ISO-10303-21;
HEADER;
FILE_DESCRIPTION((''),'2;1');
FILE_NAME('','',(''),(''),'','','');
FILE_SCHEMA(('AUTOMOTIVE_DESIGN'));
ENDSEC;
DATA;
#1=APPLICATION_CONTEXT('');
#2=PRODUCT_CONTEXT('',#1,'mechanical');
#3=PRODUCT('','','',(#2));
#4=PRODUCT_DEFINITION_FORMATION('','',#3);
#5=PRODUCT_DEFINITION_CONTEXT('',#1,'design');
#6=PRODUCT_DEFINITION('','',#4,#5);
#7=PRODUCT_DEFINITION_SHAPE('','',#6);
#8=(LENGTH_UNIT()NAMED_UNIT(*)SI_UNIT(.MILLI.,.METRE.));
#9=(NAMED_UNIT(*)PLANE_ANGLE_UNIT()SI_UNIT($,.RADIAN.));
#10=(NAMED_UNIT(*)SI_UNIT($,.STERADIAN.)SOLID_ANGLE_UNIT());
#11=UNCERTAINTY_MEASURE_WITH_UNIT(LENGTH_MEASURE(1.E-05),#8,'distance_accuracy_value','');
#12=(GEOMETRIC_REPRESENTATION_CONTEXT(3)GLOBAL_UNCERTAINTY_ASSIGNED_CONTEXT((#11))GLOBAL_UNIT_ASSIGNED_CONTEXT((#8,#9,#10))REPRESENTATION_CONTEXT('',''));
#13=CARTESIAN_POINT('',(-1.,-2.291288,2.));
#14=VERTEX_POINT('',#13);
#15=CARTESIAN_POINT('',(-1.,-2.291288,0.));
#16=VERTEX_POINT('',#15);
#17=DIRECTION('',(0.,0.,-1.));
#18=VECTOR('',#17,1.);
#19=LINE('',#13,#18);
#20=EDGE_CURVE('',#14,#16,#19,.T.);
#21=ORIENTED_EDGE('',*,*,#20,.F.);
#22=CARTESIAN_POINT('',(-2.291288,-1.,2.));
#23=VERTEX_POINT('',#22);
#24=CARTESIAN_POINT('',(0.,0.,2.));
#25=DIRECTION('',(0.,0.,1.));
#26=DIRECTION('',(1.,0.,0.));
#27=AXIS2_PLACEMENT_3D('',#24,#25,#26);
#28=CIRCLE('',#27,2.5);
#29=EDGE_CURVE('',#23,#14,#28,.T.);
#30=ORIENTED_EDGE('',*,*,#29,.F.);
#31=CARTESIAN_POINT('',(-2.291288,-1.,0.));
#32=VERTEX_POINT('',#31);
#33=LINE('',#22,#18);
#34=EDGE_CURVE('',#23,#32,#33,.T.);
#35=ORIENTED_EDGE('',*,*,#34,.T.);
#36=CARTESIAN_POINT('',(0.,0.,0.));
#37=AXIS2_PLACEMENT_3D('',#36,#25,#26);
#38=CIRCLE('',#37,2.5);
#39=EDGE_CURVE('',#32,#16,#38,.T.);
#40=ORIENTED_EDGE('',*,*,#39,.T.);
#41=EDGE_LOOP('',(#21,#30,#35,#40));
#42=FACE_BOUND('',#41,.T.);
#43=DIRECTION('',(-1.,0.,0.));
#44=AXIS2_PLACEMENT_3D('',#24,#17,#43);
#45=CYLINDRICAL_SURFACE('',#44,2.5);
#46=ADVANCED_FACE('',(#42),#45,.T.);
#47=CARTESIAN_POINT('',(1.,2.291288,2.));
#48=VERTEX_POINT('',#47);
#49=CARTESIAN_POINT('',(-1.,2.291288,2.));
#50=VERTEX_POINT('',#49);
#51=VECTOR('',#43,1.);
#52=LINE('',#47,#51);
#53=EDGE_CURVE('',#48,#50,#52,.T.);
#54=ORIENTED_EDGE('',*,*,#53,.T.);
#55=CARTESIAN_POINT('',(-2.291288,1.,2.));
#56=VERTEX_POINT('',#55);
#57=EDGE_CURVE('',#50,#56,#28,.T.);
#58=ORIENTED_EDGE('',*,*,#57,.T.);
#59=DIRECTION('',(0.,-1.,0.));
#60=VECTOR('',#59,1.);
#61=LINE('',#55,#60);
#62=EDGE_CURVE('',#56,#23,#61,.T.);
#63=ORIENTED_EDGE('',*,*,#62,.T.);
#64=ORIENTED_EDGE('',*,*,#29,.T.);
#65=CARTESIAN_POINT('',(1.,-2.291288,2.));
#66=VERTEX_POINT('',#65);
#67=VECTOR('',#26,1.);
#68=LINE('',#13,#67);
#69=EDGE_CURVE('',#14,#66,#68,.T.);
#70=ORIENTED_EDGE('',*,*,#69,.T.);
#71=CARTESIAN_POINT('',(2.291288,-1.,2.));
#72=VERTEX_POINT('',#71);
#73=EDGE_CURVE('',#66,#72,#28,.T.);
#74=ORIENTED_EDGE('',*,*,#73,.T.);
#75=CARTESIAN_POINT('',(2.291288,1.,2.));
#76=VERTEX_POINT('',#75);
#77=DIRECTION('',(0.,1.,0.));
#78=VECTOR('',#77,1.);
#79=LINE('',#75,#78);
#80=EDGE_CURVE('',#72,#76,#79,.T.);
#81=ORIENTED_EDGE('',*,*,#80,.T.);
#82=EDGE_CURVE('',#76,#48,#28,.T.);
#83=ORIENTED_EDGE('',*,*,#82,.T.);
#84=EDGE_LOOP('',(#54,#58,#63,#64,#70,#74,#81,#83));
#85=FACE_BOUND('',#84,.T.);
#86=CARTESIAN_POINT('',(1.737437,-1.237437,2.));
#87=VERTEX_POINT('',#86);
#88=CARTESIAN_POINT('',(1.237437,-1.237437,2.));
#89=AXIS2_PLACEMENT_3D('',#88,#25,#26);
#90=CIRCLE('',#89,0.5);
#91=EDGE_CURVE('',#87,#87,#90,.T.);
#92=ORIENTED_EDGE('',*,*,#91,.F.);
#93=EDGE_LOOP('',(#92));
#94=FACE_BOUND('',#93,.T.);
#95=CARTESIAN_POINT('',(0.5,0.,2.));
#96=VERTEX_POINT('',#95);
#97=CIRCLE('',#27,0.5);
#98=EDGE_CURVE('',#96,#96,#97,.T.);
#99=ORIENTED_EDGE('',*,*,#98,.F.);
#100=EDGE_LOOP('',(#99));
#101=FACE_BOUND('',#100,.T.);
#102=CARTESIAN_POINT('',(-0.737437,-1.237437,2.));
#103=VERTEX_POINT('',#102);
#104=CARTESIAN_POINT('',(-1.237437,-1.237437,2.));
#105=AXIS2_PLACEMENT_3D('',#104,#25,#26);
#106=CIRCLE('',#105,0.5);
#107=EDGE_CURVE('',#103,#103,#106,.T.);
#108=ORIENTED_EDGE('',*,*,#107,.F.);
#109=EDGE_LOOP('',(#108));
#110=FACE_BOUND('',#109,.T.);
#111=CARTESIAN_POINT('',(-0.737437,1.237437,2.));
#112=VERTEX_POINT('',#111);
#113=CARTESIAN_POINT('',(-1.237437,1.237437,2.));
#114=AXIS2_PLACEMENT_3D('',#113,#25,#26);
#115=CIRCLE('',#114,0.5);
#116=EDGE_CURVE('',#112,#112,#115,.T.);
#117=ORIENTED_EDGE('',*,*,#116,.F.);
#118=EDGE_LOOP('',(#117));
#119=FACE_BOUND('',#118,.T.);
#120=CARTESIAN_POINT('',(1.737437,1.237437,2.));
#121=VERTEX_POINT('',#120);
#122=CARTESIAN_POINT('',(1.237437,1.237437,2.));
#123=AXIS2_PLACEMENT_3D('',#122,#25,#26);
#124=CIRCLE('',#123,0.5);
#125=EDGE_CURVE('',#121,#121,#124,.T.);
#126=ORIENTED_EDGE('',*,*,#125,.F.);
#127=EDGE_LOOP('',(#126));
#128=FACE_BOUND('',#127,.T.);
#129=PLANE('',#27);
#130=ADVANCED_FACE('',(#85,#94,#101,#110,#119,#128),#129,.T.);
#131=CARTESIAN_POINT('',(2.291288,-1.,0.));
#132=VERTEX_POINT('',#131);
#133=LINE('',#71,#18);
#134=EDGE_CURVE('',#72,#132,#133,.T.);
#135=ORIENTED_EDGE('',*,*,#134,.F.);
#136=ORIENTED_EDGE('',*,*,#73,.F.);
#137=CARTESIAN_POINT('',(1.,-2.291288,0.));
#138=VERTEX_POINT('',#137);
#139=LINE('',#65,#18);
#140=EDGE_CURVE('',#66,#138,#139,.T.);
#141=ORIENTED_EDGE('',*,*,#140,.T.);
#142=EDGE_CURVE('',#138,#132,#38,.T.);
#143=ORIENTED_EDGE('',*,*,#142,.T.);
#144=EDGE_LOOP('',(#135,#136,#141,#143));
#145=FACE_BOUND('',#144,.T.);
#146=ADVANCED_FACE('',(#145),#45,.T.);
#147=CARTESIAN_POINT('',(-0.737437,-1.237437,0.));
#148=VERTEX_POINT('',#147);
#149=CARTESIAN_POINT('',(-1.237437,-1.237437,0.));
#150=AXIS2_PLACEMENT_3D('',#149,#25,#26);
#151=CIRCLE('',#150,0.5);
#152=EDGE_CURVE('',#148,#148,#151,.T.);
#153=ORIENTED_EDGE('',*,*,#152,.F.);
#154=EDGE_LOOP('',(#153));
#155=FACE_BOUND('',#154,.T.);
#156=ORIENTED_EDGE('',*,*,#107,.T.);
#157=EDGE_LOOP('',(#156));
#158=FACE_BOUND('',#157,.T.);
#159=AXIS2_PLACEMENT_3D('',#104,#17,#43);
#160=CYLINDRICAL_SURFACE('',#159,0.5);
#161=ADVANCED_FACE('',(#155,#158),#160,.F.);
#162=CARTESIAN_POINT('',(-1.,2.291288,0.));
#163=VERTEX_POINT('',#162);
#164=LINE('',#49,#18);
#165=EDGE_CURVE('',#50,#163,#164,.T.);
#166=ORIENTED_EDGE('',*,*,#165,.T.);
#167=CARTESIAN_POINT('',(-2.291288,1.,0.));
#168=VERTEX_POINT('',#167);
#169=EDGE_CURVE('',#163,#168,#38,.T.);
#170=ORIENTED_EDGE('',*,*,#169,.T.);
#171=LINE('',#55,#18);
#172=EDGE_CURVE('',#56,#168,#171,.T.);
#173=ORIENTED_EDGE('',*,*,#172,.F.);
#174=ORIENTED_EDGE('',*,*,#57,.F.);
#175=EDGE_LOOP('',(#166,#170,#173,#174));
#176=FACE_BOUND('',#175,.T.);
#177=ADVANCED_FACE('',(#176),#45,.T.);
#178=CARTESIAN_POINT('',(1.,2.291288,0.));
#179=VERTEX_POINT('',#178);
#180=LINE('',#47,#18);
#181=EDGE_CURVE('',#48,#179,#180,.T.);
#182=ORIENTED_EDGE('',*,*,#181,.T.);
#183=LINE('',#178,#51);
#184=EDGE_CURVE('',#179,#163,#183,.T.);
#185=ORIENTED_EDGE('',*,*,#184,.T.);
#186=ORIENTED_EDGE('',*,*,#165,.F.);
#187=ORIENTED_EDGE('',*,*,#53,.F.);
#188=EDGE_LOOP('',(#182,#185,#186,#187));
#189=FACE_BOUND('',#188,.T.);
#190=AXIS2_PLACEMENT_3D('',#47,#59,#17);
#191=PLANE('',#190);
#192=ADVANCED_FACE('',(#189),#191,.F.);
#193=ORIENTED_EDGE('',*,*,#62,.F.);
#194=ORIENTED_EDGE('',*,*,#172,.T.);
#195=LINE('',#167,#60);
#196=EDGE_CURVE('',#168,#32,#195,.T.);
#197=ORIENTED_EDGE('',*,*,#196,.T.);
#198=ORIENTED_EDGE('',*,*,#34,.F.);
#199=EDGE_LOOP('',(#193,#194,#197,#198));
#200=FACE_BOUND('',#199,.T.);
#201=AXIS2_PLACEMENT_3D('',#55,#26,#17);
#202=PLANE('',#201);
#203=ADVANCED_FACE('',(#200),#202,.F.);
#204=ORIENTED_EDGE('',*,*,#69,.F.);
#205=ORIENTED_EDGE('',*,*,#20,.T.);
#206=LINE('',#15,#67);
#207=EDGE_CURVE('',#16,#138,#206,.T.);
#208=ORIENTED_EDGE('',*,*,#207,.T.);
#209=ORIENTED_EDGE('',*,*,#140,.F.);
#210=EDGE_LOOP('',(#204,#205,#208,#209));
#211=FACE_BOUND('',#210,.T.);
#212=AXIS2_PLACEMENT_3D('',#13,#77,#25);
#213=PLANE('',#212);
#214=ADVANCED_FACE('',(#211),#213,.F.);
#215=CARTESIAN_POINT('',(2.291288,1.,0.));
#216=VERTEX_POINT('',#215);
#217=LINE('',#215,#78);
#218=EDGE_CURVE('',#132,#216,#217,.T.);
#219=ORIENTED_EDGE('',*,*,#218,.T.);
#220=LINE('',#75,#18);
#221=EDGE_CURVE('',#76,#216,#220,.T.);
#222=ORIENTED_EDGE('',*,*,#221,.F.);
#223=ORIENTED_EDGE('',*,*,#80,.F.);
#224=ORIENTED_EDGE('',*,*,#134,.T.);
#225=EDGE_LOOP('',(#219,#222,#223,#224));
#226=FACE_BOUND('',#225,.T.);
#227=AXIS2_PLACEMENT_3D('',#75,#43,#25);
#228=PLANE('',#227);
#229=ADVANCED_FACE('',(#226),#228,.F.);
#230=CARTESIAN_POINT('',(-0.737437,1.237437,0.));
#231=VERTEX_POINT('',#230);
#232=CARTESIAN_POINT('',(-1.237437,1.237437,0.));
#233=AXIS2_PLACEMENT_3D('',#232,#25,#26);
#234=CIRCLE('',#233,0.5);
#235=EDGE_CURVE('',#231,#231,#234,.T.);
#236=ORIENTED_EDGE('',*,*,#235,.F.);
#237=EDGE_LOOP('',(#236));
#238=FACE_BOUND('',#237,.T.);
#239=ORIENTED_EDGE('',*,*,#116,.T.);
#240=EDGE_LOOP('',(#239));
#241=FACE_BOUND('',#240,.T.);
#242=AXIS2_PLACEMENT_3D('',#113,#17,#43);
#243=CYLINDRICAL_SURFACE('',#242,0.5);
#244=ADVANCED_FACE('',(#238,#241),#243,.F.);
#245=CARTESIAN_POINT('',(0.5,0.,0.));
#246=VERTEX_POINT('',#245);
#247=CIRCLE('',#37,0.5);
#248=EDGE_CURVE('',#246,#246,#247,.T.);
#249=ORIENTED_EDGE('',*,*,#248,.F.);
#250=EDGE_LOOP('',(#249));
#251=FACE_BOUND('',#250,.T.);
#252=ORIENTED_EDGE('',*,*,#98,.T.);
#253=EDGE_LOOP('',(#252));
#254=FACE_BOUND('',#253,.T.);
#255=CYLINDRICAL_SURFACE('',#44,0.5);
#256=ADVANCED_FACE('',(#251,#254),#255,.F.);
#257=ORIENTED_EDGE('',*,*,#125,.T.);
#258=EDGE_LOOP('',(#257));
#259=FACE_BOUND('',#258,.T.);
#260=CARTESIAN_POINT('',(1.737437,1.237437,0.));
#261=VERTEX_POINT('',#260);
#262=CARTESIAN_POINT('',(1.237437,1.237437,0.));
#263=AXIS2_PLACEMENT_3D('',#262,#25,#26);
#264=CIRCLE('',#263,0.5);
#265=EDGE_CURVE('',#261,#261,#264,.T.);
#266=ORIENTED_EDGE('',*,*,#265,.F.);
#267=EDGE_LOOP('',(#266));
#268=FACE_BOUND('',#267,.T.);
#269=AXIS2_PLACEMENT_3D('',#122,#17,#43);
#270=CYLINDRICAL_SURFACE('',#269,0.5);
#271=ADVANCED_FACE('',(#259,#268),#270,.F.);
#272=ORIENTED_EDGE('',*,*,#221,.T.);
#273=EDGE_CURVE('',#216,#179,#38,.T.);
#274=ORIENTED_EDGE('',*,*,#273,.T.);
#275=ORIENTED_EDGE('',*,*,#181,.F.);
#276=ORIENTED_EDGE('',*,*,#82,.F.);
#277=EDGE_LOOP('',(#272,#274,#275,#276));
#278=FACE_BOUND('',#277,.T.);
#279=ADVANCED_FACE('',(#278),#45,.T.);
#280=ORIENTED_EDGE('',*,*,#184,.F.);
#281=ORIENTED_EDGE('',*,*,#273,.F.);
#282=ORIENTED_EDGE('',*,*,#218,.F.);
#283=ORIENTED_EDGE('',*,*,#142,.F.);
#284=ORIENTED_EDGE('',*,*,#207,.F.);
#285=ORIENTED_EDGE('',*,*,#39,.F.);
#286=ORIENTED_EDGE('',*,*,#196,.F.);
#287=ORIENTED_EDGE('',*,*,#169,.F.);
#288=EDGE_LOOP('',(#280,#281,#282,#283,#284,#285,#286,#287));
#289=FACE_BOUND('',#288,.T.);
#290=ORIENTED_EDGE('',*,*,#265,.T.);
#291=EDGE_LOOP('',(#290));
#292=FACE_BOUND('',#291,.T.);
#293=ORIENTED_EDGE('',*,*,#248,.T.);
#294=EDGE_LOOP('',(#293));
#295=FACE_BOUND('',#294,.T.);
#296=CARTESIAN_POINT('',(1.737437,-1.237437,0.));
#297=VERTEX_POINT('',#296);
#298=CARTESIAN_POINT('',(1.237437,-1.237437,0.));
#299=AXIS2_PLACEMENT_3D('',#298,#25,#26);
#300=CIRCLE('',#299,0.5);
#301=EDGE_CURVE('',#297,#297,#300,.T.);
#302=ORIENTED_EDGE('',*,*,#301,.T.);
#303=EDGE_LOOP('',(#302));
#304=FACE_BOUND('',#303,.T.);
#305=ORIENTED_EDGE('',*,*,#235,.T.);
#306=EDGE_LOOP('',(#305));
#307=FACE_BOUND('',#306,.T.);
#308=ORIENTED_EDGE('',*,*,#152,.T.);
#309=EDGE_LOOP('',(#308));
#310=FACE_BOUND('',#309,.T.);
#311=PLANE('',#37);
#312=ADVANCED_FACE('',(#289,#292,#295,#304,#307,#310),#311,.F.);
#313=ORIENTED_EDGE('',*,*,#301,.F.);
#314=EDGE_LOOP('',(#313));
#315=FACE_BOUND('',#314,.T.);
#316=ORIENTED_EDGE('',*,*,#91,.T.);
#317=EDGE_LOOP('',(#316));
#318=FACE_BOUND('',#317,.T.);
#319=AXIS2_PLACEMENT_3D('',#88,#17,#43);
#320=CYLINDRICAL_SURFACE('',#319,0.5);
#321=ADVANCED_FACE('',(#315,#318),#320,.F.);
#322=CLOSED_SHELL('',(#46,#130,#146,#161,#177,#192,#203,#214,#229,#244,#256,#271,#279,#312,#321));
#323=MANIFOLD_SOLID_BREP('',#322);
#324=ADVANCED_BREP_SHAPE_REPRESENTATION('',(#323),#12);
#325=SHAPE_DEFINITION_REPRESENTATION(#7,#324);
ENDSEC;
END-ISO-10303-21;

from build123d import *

# Parameters (mm, degrees)
SKETCH2_R           = 0.5
BOSS_EXTRUDE1_DEPTH = 2


with BuildPart() as part:
    # Sketch2 → Boss-Extrude1 (new body)
    with BuildSketch(Plane.XY):
        with BuildLine():
            Line((1, 2.291287847), (-1, 2.291287847))
            ThreePointArc((-1, 2.291287847), (-1.767766953, 1.767766953), (-2.291287847, 1))
            Line((-2.291287847, 1), (-2.291287847, -1))
            ThreePointArc((-2.291287847, -1), (-1.767766953, -1.767766953), (-1, -2.291287847))
            Line((-1, -2.291287847), (1, -2.291287847))
            ThreePointArc((1, -2.291287847), (1.767766953, -1.767766953), (2.291287847, -1))
            Line((2.291287847, -1), (2.291287847, 1))
            ThreePointArc((2.291287847, 1), (1.767766953, 1.767766953), (1, 2.291287847))
        make_face()
        Circle(SKETCH2_R, mode=Mode.SUBTRACT)
        with Locations((1.237436867, 1.237436867)):
            Circle(SKETCH2_R, mode=Mode.SUBTRACT)
        with Locations((1.237436867, -1.237436867)):
            Circle(SKETCH2_R, mode=Mode.SUBTRACT)
        with Locations((-1.237436867, -1.237436867)):
            Circle(SKETCH2_R, mode=Mode.SUBTRACT)
        with Locations((-1.237436867, 1.237436867)):
            Circle(SKETCH2_R, mode=Mode.SUBTRACT)
    extrude(amount=BOSS_EXTRUDE1_DEPTH)


solid = part.part
